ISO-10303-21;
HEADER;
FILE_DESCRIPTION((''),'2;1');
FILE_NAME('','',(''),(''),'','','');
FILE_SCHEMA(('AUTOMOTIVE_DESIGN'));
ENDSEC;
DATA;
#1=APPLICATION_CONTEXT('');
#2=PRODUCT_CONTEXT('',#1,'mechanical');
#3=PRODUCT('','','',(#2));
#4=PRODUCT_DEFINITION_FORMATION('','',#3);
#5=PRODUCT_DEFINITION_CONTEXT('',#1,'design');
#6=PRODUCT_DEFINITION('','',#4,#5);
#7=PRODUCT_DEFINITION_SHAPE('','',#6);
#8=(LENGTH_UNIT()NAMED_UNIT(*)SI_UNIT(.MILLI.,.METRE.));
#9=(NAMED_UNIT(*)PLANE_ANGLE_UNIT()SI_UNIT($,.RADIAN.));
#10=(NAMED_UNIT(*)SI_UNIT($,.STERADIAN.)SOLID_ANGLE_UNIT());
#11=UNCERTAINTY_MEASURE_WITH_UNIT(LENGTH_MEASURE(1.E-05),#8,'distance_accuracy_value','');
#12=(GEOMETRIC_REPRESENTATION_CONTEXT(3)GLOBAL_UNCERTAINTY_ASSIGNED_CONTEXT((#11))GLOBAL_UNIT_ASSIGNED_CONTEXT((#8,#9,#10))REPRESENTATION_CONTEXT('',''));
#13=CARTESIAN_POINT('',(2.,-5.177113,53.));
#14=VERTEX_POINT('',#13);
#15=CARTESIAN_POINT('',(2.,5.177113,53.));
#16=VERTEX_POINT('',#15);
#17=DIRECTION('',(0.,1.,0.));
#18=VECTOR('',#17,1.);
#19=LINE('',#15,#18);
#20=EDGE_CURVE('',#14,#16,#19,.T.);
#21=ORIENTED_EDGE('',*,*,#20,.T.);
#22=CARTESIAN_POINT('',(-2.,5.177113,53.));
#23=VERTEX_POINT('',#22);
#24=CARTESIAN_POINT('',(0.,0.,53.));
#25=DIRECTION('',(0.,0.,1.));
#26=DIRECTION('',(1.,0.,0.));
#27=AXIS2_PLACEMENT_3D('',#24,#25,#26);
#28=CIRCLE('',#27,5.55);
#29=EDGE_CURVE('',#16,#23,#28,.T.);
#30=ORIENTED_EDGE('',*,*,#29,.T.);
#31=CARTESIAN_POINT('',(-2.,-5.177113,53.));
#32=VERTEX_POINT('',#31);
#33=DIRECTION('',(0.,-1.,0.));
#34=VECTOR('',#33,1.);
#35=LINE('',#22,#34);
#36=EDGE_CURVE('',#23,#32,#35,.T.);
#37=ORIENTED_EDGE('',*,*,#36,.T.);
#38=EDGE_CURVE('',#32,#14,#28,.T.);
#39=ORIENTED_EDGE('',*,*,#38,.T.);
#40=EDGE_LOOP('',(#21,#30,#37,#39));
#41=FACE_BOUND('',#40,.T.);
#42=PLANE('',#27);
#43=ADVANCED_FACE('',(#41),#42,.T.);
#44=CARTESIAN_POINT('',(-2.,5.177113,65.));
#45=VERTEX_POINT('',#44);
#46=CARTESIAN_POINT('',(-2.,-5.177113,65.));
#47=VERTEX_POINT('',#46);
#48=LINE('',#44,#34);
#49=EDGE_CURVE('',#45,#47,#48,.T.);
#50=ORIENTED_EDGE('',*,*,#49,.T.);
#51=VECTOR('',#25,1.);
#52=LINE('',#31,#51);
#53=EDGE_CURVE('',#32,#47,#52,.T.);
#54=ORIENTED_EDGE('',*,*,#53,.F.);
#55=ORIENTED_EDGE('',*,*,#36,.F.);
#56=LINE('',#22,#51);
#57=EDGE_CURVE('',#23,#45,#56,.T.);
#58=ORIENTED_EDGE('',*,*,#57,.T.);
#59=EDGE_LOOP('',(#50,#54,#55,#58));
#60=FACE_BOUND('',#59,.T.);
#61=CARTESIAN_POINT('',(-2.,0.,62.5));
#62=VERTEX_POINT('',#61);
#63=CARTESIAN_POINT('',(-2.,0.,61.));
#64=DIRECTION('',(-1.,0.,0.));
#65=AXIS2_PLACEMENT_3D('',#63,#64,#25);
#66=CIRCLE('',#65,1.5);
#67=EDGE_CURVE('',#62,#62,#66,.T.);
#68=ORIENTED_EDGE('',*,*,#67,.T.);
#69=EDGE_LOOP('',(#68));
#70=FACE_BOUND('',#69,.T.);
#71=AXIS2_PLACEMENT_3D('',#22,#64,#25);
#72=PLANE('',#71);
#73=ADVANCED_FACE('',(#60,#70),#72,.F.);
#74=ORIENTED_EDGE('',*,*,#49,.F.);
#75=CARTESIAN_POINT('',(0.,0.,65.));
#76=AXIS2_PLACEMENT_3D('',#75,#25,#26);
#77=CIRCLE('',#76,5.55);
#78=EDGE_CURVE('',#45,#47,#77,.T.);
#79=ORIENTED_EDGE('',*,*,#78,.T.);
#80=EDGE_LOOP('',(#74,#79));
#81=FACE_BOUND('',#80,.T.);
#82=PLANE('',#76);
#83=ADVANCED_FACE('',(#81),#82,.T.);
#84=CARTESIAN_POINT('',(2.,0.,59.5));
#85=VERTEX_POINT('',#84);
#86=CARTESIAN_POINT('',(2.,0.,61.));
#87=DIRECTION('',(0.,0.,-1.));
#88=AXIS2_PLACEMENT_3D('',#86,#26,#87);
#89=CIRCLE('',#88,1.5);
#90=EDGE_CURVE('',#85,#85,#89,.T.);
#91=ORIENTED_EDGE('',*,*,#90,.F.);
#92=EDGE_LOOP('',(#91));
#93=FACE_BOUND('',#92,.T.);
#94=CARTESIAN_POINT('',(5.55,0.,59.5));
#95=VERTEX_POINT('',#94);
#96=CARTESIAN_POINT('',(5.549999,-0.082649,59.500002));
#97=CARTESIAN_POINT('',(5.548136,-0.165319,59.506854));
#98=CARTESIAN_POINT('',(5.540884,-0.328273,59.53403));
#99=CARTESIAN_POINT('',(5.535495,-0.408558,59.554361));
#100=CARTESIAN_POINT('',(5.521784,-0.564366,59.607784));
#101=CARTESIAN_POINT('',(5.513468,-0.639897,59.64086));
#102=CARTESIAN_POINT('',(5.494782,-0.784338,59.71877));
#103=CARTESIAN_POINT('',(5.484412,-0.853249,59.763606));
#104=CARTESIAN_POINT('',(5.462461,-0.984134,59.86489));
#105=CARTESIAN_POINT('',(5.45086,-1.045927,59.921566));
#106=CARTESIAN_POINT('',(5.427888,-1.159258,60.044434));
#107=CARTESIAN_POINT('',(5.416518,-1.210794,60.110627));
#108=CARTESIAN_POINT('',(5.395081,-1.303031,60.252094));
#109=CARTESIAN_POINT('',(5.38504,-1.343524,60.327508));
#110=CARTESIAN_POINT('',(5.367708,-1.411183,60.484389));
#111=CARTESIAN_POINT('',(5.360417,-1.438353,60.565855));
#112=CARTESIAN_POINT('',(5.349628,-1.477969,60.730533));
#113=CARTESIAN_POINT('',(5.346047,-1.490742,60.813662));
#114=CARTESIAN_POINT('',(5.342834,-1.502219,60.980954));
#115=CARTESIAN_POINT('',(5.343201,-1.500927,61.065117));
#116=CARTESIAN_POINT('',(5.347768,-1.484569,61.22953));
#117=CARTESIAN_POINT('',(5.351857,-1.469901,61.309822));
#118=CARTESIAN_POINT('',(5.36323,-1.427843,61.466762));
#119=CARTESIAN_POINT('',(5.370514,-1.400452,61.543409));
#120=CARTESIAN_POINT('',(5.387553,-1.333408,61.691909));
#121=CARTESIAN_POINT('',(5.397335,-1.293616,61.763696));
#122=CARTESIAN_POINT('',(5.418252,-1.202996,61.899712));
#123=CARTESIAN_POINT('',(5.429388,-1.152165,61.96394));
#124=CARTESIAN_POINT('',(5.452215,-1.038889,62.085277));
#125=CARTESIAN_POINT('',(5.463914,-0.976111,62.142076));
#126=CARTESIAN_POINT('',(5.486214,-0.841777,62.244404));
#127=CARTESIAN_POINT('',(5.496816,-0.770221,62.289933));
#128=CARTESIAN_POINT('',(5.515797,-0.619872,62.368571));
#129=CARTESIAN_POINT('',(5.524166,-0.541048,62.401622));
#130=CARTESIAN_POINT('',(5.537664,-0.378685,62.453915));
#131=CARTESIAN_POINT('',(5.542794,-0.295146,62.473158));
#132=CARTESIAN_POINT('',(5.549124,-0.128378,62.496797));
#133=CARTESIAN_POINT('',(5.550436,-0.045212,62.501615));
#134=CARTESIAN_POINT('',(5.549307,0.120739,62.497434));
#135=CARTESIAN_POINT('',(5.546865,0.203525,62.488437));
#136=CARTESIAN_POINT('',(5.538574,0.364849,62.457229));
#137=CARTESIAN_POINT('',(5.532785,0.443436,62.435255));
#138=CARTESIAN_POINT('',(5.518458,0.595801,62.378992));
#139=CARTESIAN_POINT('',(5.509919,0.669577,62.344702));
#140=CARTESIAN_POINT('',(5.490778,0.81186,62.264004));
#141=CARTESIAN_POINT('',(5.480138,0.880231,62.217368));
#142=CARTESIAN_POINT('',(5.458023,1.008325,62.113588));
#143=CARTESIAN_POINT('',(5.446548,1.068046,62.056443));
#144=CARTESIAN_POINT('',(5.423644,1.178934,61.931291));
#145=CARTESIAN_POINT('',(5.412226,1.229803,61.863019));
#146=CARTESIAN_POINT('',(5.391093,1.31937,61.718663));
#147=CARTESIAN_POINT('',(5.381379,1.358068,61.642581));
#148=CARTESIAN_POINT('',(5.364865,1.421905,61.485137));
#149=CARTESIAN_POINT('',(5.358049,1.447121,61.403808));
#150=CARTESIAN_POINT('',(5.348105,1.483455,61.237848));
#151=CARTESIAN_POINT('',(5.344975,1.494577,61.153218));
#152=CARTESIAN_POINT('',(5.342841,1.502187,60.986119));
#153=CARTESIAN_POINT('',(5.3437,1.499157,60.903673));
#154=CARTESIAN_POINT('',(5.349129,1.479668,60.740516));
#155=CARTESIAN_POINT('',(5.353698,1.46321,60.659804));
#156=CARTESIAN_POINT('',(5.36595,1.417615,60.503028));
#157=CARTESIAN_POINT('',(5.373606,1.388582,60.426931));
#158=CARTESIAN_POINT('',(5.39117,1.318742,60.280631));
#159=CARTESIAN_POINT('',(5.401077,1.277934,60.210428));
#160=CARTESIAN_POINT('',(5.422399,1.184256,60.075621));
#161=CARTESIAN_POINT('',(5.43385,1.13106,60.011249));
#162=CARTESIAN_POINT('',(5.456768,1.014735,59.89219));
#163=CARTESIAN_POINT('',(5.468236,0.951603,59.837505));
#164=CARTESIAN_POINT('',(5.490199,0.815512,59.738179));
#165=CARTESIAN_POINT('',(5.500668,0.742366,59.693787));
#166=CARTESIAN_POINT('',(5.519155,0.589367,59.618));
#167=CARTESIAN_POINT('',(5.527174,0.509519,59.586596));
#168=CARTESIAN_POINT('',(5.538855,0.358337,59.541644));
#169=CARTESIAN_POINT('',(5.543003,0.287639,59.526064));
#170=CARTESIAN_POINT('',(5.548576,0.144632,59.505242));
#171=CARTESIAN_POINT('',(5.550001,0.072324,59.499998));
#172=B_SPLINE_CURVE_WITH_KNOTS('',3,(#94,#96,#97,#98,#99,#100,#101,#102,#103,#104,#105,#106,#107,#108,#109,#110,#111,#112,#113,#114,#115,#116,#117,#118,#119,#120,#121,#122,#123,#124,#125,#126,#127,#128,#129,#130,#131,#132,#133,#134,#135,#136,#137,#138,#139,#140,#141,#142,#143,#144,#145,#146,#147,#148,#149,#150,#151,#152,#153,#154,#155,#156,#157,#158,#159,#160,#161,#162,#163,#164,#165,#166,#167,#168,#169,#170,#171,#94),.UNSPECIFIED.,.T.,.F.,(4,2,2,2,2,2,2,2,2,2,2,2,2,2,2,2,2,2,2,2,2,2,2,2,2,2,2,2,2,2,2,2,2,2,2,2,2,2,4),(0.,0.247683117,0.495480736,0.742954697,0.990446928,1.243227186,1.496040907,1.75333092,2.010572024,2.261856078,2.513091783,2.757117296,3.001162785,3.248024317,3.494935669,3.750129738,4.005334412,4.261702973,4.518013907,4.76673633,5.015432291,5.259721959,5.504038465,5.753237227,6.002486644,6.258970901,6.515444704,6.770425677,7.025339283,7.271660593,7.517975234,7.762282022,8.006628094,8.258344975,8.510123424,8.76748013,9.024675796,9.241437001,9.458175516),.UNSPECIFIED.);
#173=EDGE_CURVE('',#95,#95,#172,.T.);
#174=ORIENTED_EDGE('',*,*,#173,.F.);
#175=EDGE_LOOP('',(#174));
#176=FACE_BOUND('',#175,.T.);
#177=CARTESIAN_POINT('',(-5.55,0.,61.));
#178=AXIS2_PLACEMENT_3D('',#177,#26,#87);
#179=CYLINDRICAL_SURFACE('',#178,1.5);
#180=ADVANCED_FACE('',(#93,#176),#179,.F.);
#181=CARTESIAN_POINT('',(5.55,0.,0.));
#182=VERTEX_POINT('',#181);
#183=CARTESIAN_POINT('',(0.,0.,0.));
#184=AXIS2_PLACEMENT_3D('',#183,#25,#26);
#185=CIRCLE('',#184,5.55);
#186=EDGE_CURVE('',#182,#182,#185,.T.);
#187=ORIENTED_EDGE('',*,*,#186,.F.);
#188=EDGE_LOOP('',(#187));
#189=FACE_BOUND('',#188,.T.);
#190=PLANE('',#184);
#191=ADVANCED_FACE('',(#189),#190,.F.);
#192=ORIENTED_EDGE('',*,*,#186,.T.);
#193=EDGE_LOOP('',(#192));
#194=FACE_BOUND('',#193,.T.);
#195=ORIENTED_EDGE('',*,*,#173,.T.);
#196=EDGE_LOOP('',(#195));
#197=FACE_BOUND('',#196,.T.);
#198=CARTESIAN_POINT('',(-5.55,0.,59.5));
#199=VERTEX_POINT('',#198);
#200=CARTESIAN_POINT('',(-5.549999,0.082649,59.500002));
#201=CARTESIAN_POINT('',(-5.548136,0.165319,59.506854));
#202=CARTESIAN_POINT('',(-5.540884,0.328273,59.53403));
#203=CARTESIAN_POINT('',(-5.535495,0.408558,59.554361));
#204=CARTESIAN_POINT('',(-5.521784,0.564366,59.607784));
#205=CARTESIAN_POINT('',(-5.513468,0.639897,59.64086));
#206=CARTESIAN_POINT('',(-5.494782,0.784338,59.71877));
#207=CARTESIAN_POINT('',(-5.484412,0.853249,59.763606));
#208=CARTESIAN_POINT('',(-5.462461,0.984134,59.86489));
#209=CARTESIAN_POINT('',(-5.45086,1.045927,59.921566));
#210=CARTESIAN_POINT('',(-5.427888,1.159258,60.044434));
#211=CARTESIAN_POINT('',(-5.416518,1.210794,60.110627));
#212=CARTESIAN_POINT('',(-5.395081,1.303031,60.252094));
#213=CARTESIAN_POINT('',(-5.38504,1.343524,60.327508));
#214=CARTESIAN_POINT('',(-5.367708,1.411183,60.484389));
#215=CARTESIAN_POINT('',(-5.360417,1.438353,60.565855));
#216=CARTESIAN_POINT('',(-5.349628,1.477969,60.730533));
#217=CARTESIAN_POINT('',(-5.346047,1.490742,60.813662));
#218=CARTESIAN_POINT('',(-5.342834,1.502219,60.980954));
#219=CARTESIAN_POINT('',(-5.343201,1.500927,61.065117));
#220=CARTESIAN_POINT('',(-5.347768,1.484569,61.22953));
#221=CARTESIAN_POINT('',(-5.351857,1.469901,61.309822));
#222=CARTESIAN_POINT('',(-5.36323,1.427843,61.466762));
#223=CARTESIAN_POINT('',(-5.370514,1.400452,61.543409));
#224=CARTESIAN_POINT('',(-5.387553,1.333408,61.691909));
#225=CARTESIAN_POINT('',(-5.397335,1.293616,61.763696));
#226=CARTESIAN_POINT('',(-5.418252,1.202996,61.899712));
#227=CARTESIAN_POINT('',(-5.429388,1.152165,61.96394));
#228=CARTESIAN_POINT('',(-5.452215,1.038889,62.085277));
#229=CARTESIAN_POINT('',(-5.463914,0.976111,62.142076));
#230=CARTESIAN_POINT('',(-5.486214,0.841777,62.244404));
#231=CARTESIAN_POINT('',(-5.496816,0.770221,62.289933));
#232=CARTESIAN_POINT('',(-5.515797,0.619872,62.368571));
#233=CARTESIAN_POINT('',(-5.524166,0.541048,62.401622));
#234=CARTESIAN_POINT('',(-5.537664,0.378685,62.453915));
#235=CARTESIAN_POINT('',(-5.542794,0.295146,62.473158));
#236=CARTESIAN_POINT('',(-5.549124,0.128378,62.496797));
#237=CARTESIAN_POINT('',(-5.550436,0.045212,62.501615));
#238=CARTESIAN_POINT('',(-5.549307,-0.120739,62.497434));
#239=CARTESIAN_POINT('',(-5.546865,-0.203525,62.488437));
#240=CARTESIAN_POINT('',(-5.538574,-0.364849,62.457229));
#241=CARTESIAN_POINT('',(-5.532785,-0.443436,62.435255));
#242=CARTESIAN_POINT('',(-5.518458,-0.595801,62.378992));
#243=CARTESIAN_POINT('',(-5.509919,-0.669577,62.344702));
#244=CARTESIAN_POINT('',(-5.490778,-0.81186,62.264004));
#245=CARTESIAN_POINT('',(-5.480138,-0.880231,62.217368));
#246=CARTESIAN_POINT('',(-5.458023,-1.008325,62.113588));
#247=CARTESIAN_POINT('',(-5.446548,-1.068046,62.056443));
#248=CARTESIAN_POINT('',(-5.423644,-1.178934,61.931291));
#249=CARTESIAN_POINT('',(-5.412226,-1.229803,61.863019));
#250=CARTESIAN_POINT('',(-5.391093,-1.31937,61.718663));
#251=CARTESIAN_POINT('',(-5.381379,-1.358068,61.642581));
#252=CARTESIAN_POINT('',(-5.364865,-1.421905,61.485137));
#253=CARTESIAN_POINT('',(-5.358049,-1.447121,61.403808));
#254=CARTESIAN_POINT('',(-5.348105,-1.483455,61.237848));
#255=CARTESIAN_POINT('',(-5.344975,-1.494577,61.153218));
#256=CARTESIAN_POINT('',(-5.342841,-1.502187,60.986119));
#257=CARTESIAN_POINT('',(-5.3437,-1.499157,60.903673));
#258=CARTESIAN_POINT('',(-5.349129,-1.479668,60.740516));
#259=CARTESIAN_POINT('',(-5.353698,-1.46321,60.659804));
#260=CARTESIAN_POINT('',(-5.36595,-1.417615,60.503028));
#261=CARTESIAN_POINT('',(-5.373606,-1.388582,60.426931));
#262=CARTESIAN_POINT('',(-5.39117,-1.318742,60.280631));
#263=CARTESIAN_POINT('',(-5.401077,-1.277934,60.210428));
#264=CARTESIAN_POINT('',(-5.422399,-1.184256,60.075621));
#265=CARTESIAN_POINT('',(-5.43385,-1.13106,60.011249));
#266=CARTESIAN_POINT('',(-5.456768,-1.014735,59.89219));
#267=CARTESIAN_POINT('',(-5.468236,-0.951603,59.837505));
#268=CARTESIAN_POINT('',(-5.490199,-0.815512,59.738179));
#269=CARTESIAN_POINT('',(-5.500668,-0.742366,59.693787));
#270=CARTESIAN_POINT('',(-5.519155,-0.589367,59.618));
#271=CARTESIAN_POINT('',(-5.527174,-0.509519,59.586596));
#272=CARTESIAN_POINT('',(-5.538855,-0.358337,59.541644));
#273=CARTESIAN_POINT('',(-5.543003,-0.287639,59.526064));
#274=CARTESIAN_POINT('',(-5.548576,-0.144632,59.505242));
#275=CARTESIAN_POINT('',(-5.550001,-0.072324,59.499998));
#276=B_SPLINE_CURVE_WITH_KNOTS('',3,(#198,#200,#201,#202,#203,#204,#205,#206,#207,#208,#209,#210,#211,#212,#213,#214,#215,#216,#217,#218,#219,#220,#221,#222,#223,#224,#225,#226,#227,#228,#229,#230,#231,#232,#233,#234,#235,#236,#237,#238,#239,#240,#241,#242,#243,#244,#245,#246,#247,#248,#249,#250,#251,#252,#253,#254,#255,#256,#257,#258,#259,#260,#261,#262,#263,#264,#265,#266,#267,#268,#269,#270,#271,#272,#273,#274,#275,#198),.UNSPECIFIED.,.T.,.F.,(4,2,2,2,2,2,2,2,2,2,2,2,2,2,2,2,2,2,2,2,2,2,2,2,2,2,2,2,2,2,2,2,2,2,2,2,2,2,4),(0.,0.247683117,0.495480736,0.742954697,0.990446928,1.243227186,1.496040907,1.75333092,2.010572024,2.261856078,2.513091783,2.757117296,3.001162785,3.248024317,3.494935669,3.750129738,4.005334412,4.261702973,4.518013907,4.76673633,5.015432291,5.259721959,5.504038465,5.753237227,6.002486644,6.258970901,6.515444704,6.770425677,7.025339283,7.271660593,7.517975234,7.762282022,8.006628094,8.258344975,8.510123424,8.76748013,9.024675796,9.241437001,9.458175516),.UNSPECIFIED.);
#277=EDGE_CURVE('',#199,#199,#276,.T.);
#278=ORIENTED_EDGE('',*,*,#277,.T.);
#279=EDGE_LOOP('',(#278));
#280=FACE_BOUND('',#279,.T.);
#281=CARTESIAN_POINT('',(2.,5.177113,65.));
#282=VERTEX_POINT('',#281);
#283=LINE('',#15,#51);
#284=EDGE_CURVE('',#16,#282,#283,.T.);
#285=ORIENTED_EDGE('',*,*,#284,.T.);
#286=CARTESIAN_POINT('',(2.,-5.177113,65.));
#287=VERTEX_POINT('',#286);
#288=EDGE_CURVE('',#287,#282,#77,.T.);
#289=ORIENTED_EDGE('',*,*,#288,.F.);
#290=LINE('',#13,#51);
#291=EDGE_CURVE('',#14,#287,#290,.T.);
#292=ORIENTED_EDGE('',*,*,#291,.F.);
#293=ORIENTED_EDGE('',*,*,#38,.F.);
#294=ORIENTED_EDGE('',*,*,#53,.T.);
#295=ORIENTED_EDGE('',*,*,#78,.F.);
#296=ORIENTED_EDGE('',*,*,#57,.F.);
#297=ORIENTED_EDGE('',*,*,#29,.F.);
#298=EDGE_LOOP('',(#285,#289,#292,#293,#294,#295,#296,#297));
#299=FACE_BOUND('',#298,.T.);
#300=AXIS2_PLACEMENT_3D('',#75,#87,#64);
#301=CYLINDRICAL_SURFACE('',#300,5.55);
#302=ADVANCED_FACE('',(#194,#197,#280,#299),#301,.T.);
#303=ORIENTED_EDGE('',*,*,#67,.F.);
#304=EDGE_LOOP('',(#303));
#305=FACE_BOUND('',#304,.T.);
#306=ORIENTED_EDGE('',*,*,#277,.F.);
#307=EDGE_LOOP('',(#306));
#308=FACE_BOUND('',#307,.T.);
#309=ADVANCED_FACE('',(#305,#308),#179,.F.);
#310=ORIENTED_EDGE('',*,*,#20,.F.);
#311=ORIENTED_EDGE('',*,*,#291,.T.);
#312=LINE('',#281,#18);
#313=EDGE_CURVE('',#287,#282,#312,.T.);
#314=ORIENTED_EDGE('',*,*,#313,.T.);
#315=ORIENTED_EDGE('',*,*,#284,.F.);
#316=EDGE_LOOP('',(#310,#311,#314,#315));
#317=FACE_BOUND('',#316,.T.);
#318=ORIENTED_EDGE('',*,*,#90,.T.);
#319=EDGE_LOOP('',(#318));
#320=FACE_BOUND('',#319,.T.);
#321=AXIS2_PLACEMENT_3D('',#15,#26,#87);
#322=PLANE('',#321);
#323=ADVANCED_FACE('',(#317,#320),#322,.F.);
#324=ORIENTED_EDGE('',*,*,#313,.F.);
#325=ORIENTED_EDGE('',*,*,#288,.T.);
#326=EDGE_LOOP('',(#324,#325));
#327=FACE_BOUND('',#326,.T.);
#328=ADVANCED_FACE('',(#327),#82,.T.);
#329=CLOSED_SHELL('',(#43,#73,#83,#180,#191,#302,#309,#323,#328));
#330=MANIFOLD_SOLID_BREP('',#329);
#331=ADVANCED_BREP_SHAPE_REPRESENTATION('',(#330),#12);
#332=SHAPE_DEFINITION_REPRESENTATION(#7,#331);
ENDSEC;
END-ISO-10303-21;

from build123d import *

# Parameters (mm, degrees)
ESQUISSE1_R                  = 5.55
BOSS_EXTRU_1_DEPTH           = 65
ENL_V_MAT_EXTRU_1_DEPTH      = 12
ESQUISSE3_R                  = 1.5
ENL_V_MAT_EXTRU_2_DEPTH      = 6.55
ENL_V_MAT_EXTRU_2_DEPTH_BACK = 6.55


with BuildPart() as part:
    # Esquisse1 → Boss.-Extru.1 (new body)
    with BuildSketch(Plane.XY):
        Circle(ESQUISSE1_R)
    extrude(amount=BOSS_EXTRU_1_DEPTH)

    # Esquisse2 → Enlèv. mat.-Extru.1 (cut)
    with BuildSketch(Plane.XY.offset(65)):
        with BuildLine():
            Line((-2, 5.177113095), (-2, -5.177113095))
            ThreePointArc((-2, -5.177113095), (0, -5.55), (2, -5.177113095))
            Line((2, -5.177113095), (2, 5.177113095))
            ThreePointArc((2, 5.177113095), (0, 5.55), (-2, 5.177113095))
        make_face()
    extrude(amount=-ENL_V_MAT_EXTRU_1_DEPTH, mode=Mode.SUBTRACT)

    # Esquisse3 → Enlèv. mat.-Extru.2 (cut, two sides)
    with BuildSketch(Plane(origin=(0, 0, 0), x_dir=(0, 0, -1), z_dir=(1, 0, 0))) as enl_v_mat_extru_2_sk:
        with Locations((-61, 0)):
            Circle(ESQUISSE3_R)
    extrude(amount=ENL_V_MAT_EXTRU_2_DEPTH, mode=Mode.SUBTRACT)
    extrude(enl_v_mat_extru_2_sk.sketch, amount=-ENL_V_MAT_EXTRU_2_DEPTH_BACK, mode=Mode.SUBTRACT)


solid = part.part
